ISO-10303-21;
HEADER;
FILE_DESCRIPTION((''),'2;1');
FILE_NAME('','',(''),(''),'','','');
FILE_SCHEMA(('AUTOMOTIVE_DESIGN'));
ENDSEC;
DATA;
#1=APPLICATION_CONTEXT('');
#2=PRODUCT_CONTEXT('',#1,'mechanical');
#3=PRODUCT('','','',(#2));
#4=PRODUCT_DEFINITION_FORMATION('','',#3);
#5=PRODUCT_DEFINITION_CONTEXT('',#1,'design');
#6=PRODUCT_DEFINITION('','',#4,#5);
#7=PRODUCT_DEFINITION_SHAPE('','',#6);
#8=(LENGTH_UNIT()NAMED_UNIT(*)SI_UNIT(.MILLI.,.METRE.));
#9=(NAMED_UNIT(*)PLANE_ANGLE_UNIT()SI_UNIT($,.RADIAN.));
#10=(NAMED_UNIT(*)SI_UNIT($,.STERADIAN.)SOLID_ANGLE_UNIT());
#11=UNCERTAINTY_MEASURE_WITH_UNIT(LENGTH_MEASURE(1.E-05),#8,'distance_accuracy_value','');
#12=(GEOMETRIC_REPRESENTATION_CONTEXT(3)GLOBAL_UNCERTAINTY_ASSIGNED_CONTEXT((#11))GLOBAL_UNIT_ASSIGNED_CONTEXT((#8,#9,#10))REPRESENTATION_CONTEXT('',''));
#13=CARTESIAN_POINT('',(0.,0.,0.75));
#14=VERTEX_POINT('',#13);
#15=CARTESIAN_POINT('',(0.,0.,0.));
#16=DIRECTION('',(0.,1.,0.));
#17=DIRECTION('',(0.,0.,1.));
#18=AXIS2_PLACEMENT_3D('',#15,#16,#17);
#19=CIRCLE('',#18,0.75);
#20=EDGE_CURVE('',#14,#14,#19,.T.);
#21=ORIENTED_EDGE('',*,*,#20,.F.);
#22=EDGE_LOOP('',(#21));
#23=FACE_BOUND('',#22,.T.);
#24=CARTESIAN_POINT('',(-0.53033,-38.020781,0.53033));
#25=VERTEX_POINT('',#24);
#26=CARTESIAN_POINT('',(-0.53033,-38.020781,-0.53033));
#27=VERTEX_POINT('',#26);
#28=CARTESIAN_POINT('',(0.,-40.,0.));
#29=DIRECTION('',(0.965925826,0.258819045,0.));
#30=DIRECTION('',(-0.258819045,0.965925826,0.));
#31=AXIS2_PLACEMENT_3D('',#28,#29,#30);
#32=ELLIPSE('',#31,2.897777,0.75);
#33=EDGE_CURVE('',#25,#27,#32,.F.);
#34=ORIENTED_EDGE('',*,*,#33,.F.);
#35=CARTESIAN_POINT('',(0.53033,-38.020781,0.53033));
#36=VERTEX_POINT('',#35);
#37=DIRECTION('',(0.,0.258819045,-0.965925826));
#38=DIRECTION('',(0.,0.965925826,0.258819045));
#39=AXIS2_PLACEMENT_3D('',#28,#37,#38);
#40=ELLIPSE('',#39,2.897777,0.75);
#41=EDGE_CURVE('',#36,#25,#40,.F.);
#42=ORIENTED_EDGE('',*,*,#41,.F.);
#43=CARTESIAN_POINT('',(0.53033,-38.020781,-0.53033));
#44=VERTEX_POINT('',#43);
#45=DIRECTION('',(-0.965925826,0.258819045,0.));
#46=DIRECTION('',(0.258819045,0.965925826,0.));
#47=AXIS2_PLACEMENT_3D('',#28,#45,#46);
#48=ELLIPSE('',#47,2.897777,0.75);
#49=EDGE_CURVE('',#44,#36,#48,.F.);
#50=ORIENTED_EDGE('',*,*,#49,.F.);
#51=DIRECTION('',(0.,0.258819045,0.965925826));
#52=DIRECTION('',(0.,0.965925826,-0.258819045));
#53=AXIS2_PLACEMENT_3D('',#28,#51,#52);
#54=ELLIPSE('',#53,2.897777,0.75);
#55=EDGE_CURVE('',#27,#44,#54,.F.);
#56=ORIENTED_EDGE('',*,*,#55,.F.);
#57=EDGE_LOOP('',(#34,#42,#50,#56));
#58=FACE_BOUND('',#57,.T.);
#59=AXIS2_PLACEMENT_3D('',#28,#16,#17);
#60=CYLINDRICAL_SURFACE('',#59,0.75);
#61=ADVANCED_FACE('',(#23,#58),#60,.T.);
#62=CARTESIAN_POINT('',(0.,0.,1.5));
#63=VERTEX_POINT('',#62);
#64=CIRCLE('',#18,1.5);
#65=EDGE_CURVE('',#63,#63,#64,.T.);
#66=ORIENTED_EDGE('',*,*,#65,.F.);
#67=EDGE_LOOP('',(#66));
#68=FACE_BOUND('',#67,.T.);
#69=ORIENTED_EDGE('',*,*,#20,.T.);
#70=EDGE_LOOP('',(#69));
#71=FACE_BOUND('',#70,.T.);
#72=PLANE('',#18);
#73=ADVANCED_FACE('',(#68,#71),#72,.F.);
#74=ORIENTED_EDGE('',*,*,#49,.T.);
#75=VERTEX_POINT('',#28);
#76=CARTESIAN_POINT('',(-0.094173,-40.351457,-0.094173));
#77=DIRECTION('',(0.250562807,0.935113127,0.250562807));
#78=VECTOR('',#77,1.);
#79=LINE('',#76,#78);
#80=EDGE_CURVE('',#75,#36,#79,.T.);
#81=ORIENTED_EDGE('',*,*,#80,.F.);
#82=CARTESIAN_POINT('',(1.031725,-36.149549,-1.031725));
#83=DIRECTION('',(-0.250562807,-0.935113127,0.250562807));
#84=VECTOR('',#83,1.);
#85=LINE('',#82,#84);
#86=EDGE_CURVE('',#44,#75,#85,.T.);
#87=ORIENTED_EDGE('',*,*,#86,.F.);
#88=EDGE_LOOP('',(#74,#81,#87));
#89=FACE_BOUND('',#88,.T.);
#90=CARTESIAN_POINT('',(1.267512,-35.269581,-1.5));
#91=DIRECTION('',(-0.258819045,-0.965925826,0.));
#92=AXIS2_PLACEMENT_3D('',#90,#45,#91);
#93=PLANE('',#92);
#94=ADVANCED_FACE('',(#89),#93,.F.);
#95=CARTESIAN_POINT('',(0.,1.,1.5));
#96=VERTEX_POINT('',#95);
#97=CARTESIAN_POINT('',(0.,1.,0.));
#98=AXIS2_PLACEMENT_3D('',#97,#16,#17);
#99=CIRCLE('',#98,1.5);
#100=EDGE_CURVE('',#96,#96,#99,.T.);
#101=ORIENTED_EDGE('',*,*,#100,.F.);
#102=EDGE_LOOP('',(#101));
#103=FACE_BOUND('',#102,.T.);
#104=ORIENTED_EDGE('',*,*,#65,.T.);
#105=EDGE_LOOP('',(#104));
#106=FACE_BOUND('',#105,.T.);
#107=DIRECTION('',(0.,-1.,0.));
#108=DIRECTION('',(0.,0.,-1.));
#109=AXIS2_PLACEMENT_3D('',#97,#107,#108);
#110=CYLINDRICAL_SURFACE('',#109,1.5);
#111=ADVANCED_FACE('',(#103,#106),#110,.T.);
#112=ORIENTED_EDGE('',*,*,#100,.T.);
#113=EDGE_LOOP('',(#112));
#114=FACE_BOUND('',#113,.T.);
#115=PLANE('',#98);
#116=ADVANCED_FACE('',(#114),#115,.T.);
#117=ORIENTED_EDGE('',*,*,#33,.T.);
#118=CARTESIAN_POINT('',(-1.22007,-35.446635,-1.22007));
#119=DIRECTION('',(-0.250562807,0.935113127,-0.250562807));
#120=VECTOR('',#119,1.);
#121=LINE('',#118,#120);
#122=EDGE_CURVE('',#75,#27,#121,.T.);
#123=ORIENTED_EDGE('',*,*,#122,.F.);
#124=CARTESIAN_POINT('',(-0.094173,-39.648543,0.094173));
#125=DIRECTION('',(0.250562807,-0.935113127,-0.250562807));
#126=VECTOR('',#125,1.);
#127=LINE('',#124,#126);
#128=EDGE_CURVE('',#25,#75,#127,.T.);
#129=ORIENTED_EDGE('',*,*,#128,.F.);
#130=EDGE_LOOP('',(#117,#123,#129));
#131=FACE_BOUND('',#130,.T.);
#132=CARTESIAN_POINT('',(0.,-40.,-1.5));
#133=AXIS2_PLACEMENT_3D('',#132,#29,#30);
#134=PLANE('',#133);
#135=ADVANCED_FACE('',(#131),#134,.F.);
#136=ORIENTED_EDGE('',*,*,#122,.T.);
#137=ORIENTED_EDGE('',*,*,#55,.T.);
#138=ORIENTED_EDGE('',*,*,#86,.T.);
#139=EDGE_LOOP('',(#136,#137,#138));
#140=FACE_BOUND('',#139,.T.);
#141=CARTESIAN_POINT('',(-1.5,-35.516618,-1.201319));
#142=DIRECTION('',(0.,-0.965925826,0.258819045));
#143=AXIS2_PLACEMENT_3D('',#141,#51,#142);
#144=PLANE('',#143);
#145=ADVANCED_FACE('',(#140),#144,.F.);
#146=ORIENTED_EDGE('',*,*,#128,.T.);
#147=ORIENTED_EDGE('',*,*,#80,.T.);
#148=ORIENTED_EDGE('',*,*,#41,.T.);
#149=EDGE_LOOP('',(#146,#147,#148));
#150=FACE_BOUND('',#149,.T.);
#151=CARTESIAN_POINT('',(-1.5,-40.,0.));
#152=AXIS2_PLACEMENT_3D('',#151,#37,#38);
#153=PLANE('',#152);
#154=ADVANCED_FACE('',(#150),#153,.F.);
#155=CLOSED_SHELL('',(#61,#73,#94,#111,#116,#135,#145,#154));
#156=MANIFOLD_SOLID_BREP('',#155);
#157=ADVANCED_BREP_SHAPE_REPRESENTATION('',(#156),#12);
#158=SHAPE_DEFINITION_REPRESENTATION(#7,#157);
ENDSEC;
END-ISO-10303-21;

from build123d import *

# Parameters (mm, degrees)
SKETCH_1_R               = 0.75
EXTRUDE_1_DEPTH          = 40
SKETCH_2_R               = 1.5
EXTRUDE_2_DEPTH          = 1
CUT_EXTRUDE_2_DEPTH      = 41.056210505
CUT_EXTRUDE_2_DEPTH_BACK = 41.056210505
CUT_EXTRUDE_3_DEPTH      = 41.056210505
CUT_EXTRUDE_3_DEPTH_BACK = 41.056210505


with BuildPart() as part:
    # Эскиз1 → Бобышка-Вытянуть1 (new body)
    with BuildSketch(Plane(origin=(0, 0, 0), x_dir=(1, 0, 0), z_dir=(0, 1, 0))):
        with Locations(Location((0, 0, 0), (0, 0, 270))):
            Circle(SKETCH_1_R)
    extrude(amount=-EXTRUDE_1_DEPTH)

    # Эскиз2 → Бобышка-Вытянуть2 (add)
    with BuildSketch(Plane(origin=(0, 0, 0), x_dir=(1, 0, 0), z_dir=(0, 1, 0))):
        with Locations(Location((0, 0, 0), (0, 0, 270))):
            Circle(SKETCH_2_R)
    extrude(amount=EXTRUDE_2_DEPTH)

    # Эскиз5 → Вырез-Вытянуть2 (cut, two sides: drawn at the far end of the back side and taken through both)
    with BuildSketch(Plane(origin=(0, 0, 0), x_dir=(0, 0, -1), z_dir=(1, 0, 0)).offset(-CUT_EXTRUDE_2_DEPTH_BACK)):
        Polygon((-1.201318644, -35.516617784), (-1.201318644, -40.516617784), (1.201318644, -40.516617784), (1.201318644, -35.516617784), (0, -40), align=None)
    extrude(amount=CUT_EXTRUDE_2_DEPTH + CUT_EXTRUDE_2_DEPTH_BACK, mode=Mode.SUBTRACT)

    # Эскиз7 → Вырез-Вытянуть3 (cut, two sides: drawn at the far end of the back side and taken through both)
    with BuildSketch(Plane.XY.offset(-CUT_EXTRUDE_3_DEPTH_BACK)):
        Polygon((-1.267511878, -35.269581272), (-1.267511878, -40.269581272), (1.267511878, -40.269581272), (1.267511878, -35.269581272), (0, -40), align=None)
    extrude(amount=CUT_EXTRUDE_3_DEPTH + CUT_EXTRUDE_3_DEPTH_BACK, mode=Mode.SUBTRACT)


solid = part.part
